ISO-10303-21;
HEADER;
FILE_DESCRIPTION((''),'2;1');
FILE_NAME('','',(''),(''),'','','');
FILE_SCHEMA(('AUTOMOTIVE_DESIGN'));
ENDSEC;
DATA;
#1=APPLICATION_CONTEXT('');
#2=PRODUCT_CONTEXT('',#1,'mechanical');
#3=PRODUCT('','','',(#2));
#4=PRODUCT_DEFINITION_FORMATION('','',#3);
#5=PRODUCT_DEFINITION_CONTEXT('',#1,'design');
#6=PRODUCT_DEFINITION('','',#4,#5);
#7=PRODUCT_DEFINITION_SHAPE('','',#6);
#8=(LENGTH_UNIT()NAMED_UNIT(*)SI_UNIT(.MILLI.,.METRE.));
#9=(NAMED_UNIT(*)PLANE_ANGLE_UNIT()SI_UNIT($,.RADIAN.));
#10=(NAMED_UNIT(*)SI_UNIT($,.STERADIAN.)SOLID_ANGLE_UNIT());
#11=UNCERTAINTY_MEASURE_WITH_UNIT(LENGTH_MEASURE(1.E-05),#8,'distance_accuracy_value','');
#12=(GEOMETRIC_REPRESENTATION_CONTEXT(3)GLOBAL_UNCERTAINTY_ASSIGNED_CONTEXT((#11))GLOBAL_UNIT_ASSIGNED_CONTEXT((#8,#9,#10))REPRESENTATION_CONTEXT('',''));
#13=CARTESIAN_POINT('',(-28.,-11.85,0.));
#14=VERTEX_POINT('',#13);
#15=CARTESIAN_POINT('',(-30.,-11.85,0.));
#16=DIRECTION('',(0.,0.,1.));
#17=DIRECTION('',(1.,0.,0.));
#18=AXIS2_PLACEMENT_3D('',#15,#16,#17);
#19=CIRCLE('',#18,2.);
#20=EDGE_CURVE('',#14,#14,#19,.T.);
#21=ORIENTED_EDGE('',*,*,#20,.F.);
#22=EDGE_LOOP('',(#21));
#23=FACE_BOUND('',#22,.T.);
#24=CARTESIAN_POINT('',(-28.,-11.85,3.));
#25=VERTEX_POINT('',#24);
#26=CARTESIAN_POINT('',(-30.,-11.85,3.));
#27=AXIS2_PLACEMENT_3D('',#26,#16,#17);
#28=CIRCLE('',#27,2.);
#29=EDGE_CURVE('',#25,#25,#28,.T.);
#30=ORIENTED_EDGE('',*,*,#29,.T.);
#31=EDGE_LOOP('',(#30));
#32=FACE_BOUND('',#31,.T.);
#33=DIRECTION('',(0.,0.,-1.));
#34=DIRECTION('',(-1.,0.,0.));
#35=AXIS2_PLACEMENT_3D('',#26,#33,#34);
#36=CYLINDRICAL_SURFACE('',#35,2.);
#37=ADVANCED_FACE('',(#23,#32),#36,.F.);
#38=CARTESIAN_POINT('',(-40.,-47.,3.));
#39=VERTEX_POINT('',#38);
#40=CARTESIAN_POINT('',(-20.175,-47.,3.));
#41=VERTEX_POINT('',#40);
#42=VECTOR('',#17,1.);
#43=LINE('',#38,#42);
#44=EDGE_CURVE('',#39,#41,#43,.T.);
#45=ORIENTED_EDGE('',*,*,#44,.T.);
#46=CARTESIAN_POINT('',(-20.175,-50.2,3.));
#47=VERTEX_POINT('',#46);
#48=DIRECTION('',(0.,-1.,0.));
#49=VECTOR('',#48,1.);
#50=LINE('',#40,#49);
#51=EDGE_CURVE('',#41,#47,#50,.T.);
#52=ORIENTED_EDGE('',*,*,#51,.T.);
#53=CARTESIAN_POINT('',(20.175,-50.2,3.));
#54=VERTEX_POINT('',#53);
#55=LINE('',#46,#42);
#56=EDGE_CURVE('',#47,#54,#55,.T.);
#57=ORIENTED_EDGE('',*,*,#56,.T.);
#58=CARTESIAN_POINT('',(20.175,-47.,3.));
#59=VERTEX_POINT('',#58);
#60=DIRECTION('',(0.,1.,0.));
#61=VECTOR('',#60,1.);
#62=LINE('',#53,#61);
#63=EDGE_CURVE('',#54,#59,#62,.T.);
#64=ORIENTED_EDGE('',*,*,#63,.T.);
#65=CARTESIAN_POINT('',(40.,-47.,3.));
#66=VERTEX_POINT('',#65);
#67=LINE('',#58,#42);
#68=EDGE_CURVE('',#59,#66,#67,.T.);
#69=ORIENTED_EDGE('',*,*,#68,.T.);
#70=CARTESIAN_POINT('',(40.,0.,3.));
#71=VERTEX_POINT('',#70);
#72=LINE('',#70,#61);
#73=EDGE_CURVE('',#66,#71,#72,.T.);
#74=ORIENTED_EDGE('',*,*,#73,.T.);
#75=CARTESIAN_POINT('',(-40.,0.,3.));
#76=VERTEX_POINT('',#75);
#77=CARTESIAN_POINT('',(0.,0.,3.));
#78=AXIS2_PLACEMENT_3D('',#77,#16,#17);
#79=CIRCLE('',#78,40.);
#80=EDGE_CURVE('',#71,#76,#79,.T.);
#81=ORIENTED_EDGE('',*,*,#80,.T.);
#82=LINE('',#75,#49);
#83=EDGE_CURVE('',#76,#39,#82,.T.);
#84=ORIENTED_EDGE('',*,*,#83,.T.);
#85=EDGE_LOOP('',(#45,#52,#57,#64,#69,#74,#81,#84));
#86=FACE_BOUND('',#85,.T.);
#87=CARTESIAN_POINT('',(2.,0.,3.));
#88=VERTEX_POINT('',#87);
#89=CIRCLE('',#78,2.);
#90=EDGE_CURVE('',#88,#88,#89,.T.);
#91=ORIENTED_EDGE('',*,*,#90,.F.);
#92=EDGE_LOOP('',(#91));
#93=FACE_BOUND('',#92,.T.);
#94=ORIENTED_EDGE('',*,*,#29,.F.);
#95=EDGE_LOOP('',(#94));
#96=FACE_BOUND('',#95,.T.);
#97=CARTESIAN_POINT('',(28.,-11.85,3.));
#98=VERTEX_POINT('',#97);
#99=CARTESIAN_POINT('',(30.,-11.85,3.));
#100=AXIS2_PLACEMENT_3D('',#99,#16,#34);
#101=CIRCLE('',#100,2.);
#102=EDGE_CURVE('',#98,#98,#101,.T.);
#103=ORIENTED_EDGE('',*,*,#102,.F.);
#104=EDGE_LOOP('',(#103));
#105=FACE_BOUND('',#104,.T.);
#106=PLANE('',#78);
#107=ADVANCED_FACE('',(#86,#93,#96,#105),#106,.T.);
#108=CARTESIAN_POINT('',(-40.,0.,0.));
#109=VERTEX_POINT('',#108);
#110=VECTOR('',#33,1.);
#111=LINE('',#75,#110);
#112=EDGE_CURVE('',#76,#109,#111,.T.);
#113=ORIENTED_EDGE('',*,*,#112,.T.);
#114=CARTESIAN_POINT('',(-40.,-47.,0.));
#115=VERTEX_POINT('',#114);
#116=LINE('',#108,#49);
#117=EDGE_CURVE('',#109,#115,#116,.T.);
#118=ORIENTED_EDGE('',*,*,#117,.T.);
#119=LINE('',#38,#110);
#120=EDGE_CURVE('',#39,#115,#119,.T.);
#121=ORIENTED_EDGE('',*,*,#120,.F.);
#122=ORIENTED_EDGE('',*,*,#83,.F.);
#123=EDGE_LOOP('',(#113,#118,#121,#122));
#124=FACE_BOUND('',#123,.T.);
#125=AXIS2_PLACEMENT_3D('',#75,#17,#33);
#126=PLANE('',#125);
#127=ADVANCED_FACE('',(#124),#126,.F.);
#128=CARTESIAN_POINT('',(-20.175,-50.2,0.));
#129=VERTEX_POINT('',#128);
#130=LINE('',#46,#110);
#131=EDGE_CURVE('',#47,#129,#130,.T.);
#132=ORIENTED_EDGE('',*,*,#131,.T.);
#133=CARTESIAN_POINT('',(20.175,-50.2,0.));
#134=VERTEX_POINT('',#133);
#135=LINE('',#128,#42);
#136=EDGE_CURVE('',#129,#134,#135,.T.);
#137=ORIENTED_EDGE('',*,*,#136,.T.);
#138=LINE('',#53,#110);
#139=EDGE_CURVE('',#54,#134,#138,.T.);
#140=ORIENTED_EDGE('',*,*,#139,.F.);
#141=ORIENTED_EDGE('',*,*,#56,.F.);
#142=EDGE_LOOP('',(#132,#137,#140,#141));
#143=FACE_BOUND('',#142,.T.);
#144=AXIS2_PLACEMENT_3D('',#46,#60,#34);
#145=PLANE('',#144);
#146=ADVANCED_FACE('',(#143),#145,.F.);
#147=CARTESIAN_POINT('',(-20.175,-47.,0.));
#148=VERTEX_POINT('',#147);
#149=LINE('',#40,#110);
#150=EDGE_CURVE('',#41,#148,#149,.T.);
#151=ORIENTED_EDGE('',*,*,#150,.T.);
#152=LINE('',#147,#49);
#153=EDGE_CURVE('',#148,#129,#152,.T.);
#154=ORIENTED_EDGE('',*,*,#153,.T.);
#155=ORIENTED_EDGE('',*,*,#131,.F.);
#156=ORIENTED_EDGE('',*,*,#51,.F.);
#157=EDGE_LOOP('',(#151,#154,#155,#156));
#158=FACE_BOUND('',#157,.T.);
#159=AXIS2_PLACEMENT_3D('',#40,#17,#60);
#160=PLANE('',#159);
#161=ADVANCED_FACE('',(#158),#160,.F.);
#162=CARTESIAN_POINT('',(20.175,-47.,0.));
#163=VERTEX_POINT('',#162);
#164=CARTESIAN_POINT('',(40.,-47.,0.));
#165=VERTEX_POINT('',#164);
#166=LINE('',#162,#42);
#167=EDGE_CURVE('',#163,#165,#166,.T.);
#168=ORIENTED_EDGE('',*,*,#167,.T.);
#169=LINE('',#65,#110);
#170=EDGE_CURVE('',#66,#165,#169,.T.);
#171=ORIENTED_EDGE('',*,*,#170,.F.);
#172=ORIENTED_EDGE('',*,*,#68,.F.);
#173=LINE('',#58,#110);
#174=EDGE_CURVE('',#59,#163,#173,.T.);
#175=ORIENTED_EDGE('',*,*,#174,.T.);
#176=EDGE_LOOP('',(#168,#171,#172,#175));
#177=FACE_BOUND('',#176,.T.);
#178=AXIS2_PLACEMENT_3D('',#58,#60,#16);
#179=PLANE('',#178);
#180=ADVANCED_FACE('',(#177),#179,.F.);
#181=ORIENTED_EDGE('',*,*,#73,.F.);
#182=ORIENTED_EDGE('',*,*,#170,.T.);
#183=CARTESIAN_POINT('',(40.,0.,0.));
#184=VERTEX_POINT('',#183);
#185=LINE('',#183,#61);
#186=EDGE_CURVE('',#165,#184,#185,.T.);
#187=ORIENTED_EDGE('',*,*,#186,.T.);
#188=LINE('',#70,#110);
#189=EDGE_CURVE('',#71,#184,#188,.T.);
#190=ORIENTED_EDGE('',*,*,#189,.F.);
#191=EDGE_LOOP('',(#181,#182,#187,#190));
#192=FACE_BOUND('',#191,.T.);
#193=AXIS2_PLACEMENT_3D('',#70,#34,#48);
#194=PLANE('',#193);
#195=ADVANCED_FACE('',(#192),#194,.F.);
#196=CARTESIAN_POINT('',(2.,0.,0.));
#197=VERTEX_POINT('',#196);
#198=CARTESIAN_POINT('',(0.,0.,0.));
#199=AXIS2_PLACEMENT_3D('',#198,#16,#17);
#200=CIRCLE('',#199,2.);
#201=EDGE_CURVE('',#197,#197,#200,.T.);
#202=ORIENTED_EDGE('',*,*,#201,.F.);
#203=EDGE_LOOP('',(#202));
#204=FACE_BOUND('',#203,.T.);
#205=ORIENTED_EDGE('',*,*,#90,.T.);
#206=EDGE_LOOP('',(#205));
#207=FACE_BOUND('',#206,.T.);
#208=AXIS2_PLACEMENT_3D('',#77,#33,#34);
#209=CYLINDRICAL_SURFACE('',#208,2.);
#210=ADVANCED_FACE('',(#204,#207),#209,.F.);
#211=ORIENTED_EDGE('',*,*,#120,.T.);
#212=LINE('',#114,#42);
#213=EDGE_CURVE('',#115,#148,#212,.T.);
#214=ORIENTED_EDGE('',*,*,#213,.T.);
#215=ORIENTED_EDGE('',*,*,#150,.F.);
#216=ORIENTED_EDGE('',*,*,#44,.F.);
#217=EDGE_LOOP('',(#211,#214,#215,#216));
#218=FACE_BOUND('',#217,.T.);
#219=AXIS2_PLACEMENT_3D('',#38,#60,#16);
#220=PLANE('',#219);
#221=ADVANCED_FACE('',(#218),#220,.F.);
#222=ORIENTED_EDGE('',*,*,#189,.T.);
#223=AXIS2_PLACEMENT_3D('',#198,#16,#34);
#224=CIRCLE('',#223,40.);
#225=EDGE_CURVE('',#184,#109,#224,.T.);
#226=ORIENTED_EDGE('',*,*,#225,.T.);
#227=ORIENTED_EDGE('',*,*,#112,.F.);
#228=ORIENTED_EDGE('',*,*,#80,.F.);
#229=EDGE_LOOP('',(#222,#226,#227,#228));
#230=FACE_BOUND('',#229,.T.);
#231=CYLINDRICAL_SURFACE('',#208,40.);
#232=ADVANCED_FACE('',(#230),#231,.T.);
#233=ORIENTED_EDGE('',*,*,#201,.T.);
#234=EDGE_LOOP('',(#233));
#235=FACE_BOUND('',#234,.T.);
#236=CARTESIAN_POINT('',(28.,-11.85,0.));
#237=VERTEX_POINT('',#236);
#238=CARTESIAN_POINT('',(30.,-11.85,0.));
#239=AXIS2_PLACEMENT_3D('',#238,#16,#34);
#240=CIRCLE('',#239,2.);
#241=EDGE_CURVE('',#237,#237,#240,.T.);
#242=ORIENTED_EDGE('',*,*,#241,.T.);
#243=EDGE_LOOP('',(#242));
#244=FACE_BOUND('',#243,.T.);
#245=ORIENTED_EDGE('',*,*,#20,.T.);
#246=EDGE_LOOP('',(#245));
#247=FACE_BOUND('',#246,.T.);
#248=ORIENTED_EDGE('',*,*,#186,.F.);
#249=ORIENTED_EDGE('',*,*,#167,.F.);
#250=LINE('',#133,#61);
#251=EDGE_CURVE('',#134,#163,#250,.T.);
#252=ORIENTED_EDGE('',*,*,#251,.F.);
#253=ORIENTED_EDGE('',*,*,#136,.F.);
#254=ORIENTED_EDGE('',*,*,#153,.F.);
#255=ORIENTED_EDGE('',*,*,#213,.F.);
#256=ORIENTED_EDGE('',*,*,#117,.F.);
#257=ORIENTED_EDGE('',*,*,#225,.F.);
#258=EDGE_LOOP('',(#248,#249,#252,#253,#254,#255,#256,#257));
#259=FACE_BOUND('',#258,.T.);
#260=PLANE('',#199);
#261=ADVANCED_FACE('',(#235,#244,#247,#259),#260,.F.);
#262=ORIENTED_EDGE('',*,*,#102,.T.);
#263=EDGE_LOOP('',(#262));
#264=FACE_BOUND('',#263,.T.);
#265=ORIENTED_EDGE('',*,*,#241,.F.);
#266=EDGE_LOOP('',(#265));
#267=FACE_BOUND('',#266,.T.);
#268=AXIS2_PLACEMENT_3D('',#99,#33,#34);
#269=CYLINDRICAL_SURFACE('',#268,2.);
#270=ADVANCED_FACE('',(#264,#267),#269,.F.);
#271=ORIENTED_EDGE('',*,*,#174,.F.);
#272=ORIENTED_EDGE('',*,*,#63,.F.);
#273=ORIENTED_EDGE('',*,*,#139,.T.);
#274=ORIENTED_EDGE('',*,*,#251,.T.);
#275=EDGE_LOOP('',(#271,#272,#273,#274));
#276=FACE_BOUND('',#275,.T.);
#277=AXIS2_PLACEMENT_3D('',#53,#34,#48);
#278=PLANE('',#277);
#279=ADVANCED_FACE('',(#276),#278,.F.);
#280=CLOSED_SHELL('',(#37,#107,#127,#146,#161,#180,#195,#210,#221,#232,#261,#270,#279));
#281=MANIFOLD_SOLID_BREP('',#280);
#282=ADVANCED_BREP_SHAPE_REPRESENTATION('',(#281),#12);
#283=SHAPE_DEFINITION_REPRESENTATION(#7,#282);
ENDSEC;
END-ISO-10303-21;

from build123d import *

# Parameters (mm, degrees)
CROQUIS1_R              = 2
SALIENTE_EXTRUIR1_DEPTH = 3


with BuildPart() as part:
    # Croquis1 → Saliente-Extruir1 (new body)
    with BuildSketch(Plane.XY):
        with BuildLine():
            Line((40, 0), (40, -47))
            Line((40, -47), (20.175, -47))
            Line((20.175, -47), (20.175, -50.2))
            Line((20.175, -50.2), (-20.175, -50.2))
            Line((-20.175, -50.2), (-20.175, -47))
            Line((-20.175, -47), (-40, -47))
            Line((-40, -47), (-40, 0))
            ThreePointArc((-40, 0), (-28.284271247, 28.284271247), (0, 40))
            ThreePointArc((0, 40), (28.284271247, 28.284271247), (40, 0))
        make_face()
        with Locations((-30, -11.85)):
            Circle(CROQUIS1_R, mode=Mode.SUBTRACT)
        with Locations(Location((30, -11.85, 0), (0, 0, 180))):
            Circle(CROQUIS1_R, mode=Mode.SUBTRACT)
        Circle(CROQUIS1_R, mode=Mode.SUBTRACT)
    extrude(amount=SALIENTE_EXTRUIR1_DEPTH)


solid = part.part
